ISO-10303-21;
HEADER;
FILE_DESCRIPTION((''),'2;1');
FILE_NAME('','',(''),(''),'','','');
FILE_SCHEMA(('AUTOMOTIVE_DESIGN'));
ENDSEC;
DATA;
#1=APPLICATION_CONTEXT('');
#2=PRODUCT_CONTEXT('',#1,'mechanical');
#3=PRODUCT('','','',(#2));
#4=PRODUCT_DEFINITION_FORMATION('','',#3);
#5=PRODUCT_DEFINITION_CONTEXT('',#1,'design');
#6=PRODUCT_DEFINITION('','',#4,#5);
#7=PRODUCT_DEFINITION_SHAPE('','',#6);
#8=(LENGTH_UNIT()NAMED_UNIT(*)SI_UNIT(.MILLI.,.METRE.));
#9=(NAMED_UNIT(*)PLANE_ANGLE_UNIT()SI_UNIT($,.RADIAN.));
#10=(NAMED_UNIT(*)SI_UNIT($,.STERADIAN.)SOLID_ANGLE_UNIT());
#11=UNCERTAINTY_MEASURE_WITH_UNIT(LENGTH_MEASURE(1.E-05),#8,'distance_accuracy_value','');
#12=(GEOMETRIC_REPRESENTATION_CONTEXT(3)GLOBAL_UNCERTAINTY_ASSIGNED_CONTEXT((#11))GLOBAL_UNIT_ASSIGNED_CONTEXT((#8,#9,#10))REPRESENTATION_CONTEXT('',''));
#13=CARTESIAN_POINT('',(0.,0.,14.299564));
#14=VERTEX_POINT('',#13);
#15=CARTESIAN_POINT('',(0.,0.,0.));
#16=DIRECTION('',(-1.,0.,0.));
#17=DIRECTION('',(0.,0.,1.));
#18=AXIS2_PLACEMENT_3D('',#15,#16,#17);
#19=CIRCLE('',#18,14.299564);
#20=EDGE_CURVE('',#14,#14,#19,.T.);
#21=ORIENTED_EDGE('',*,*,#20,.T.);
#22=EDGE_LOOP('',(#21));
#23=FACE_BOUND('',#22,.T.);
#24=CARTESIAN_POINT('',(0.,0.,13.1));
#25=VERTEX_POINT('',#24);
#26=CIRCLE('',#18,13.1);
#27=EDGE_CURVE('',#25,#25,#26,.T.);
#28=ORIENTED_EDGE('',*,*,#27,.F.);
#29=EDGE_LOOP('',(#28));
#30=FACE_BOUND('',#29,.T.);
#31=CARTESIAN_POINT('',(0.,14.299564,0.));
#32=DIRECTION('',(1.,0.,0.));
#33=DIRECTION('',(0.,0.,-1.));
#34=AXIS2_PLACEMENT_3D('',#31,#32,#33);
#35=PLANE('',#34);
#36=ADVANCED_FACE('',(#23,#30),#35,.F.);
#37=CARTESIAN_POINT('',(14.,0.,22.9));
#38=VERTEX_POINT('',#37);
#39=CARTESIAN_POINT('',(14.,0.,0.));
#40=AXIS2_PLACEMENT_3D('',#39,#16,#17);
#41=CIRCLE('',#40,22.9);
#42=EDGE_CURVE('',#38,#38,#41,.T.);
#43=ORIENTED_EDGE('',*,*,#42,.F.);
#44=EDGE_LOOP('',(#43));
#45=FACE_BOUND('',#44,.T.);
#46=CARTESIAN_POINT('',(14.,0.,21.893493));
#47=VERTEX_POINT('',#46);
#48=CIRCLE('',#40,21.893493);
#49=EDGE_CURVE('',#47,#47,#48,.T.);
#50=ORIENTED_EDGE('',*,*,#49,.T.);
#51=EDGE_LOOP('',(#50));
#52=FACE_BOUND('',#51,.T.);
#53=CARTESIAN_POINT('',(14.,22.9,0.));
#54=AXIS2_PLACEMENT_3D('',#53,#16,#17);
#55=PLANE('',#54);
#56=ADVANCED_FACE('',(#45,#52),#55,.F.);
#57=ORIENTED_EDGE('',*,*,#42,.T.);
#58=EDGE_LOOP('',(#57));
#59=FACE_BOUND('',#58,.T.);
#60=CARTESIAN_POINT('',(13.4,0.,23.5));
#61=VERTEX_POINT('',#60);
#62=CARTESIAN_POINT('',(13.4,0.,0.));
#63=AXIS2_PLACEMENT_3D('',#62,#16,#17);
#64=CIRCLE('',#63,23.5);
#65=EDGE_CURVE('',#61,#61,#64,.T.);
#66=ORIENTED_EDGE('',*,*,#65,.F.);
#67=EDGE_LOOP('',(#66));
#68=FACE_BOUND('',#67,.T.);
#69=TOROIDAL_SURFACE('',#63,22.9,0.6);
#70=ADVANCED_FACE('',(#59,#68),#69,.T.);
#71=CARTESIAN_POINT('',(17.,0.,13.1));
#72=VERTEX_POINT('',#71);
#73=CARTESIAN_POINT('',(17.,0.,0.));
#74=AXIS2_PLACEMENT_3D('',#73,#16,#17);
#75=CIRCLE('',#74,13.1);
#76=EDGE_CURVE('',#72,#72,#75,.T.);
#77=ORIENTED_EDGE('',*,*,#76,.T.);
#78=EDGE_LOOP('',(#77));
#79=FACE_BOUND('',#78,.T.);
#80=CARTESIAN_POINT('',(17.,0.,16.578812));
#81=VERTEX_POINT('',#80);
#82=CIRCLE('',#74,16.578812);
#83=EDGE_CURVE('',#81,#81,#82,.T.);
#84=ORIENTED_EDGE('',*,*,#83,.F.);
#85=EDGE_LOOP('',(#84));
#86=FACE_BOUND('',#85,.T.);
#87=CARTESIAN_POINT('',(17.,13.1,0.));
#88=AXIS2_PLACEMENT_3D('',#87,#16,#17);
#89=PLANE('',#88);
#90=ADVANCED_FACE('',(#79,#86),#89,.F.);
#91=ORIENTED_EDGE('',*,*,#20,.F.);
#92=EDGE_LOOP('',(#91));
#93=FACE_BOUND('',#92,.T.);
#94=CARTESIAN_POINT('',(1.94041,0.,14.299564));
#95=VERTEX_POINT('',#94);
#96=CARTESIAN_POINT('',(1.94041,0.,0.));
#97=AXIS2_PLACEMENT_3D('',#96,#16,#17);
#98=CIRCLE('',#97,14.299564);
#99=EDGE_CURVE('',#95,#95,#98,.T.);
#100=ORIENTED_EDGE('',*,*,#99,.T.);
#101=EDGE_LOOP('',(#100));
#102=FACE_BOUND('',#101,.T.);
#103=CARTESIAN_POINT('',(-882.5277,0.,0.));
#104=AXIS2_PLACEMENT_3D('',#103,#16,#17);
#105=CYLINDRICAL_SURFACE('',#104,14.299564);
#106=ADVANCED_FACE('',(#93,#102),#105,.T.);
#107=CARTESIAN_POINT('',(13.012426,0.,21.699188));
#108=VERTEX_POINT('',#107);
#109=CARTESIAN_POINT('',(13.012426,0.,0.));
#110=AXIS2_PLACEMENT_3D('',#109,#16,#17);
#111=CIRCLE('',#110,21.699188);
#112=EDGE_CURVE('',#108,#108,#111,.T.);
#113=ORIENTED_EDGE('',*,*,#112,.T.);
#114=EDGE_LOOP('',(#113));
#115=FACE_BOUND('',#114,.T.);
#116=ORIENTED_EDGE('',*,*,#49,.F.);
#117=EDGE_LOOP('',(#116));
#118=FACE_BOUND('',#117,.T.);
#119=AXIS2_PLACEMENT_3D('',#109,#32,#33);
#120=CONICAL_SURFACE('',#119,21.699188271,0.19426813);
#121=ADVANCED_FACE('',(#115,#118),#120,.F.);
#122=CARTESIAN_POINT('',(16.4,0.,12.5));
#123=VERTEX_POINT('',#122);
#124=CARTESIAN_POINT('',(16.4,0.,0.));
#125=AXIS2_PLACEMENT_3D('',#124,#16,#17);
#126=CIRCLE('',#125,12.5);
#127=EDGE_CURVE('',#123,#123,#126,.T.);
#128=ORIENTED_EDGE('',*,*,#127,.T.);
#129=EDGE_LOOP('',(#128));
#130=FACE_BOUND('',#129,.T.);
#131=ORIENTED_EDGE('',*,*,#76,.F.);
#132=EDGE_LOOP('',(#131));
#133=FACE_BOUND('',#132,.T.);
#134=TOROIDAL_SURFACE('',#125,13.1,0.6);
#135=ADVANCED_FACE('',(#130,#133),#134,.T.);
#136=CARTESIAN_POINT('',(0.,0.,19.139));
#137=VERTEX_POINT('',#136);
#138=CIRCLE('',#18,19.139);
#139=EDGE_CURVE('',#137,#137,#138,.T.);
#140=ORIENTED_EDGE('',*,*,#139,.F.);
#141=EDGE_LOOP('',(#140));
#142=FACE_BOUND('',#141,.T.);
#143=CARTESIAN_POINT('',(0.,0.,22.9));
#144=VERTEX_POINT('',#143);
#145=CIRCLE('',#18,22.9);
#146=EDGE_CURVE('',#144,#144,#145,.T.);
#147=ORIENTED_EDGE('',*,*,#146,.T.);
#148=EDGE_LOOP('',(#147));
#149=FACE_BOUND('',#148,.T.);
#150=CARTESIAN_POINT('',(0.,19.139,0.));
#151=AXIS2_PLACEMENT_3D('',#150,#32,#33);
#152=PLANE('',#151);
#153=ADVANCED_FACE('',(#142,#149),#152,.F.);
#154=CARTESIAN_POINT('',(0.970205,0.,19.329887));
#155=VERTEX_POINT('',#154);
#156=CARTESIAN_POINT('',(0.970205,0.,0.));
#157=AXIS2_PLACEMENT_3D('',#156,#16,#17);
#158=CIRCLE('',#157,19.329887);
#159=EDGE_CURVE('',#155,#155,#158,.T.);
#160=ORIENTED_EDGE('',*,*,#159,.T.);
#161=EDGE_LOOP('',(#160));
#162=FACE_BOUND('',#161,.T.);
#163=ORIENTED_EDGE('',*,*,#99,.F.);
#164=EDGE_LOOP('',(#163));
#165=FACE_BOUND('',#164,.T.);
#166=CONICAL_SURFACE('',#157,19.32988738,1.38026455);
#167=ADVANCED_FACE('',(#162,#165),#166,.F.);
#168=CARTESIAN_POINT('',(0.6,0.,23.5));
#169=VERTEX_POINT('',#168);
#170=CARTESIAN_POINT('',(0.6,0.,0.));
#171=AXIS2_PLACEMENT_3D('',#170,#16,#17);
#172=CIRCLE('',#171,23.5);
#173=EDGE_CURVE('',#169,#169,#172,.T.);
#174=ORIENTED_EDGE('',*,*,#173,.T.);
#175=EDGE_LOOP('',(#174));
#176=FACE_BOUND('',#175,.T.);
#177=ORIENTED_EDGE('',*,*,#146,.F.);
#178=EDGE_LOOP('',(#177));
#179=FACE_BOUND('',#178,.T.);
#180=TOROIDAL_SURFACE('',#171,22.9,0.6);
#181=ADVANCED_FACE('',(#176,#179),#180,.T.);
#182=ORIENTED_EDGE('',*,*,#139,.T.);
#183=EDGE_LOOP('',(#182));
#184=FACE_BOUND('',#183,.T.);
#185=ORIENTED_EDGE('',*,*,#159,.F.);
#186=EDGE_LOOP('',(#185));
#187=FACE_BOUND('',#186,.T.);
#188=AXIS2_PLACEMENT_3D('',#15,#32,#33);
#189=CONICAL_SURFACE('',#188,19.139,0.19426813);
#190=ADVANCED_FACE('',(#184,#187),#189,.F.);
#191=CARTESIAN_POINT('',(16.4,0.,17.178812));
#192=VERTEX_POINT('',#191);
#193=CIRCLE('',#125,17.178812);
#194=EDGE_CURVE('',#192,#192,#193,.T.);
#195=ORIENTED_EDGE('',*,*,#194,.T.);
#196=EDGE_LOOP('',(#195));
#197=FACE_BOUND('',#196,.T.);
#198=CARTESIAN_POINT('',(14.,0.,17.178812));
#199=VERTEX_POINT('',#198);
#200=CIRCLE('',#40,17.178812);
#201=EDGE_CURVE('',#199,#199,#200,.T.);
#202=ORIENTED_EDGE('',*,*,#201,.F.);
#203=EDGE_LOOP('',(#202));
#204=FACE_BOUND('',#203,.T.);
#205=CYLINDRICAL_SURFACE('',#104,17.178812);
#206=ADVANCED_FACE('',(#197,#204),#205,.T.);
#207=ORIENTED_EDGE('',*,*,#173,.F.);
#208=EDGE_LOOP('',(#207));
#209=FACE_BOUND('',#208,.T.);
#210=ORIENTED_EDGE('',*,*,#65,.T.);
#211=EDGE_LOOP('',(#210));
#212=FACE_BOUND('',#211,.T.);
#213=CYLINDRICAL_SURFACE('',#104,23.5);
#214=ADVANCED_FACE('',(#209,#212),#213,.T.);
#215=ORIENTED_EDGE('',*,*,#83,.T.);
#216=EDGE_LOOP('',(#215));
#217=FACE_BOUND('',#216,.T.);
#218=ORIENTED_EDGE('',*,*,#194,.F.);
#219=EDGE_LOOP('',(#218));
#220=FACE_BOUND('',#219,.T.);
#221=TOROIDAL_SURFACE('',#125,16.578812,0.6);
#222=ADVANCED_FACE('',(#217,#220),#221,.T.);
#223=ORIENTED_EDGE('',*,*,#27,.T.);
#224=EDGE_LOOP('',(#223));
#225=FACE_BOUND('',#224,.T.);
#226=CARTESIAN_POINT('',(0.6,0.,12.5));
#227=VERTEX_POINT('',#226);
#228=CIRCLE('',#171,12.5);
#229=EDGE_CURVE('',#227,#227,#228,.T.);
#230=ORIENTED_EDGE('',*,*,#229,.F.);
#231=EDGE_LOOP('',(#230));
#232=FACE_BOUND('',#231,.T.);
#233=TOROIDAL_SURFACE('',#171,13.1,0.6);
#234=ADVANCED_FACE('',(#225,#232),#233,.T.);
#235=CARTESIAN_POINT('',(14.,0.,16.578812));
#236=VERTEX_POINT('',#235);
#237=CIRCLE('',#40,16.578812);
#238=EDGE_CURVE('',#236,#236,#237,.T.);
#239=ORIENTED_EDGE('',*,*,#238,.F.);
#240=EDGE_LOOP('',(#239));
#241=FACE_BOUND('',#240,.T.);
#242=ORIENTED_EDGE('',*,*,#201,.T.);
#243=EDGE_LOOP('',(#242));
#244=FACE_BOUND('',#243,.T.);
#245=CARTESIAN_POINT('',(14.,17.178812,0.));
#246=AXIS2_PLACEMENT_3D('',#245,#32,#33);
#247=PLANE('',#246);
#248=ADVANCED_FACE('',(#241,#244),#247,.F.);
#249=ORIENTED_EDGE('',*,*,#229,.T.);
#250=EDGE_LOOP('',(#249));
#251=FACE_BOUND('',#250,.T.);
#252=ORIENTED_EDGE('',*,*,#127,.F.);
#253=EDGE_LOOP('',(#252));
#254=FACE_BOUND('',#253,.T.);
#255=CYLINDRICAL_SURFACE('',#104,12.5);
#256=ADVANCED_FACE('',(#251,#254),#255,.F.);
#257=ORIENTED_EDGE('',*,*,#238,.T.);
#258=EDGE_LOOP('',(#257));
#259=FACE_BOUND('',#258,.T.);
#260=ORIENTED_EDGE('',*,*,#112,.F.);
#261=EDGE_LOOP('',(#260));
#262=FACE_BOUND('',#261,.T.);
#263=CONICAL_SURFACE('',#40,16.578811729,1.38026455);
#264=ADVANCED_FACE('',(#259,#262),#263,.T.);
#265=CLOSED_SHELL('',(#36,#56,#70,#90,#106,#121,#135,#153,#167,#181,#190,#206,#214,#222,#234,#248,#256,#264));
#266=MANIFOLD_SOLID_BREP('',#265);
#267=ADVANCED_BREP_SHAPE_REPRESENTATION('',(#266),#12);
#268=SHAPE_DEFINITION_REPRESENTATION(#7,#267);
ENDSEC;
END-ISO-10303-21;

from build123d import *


with BuildPart() as part:
    # Эскиз1 → Повернуть1 (revolve)
    with BuildSketch(Plane.XY):
        with BuildLine():
            Line((0.970205183, 19.32988738), (0, 19.139))
            Line((0, 19.139), (0, 22.9))
            ThreePointArc((0, 22.9), (0.175735931, 23.324264069), (0.6, 23.5))
            Line((0.6, 23.5), (13.4, 23.5))
            ThreePointArc((13.4, 23.5), (13.824264069, 23.324264069), (14, 22.9))
            Line((14, 22.9), (14, 21.893492934))
            Line((14, 21.893492934), (13.012426118, 21.699188271))
            Line((13.012426118, 21.699188271), (14, 16.578811729))
            Line((14, 16.578811729), (14, 17.178811729))
            Line((14, 17.178811729), (16.4, 17.178811729))
            ThreePointArc((16.4, 17.178811729), (16.824264069, 17.003075798), (17, 16.578811729))
            Line((17, 16.578811729), (17, 13.1))
            ThreePointArc((17, 13.1), (16.824264069, 12.675735931), (16.4, 12.5))
            Line((16.4, 12.5), (0.6, 12.5))
            ThreePointArc((0.6, 12.5), (0.175735931, 12.675735931), (0, 13.1))
            Line((0, 13.1), (0, 14.299564132))
            Line((0, 14.299564132), (1.940410366, 14.299564132))
            Line((1.940410366, 14.299564132), (0.970205183, 19.32988738))
        make_face()
    revolve(axis=Axis((-882.527700014, 0, 0), (1, 0, 0)))


solid = part.part
